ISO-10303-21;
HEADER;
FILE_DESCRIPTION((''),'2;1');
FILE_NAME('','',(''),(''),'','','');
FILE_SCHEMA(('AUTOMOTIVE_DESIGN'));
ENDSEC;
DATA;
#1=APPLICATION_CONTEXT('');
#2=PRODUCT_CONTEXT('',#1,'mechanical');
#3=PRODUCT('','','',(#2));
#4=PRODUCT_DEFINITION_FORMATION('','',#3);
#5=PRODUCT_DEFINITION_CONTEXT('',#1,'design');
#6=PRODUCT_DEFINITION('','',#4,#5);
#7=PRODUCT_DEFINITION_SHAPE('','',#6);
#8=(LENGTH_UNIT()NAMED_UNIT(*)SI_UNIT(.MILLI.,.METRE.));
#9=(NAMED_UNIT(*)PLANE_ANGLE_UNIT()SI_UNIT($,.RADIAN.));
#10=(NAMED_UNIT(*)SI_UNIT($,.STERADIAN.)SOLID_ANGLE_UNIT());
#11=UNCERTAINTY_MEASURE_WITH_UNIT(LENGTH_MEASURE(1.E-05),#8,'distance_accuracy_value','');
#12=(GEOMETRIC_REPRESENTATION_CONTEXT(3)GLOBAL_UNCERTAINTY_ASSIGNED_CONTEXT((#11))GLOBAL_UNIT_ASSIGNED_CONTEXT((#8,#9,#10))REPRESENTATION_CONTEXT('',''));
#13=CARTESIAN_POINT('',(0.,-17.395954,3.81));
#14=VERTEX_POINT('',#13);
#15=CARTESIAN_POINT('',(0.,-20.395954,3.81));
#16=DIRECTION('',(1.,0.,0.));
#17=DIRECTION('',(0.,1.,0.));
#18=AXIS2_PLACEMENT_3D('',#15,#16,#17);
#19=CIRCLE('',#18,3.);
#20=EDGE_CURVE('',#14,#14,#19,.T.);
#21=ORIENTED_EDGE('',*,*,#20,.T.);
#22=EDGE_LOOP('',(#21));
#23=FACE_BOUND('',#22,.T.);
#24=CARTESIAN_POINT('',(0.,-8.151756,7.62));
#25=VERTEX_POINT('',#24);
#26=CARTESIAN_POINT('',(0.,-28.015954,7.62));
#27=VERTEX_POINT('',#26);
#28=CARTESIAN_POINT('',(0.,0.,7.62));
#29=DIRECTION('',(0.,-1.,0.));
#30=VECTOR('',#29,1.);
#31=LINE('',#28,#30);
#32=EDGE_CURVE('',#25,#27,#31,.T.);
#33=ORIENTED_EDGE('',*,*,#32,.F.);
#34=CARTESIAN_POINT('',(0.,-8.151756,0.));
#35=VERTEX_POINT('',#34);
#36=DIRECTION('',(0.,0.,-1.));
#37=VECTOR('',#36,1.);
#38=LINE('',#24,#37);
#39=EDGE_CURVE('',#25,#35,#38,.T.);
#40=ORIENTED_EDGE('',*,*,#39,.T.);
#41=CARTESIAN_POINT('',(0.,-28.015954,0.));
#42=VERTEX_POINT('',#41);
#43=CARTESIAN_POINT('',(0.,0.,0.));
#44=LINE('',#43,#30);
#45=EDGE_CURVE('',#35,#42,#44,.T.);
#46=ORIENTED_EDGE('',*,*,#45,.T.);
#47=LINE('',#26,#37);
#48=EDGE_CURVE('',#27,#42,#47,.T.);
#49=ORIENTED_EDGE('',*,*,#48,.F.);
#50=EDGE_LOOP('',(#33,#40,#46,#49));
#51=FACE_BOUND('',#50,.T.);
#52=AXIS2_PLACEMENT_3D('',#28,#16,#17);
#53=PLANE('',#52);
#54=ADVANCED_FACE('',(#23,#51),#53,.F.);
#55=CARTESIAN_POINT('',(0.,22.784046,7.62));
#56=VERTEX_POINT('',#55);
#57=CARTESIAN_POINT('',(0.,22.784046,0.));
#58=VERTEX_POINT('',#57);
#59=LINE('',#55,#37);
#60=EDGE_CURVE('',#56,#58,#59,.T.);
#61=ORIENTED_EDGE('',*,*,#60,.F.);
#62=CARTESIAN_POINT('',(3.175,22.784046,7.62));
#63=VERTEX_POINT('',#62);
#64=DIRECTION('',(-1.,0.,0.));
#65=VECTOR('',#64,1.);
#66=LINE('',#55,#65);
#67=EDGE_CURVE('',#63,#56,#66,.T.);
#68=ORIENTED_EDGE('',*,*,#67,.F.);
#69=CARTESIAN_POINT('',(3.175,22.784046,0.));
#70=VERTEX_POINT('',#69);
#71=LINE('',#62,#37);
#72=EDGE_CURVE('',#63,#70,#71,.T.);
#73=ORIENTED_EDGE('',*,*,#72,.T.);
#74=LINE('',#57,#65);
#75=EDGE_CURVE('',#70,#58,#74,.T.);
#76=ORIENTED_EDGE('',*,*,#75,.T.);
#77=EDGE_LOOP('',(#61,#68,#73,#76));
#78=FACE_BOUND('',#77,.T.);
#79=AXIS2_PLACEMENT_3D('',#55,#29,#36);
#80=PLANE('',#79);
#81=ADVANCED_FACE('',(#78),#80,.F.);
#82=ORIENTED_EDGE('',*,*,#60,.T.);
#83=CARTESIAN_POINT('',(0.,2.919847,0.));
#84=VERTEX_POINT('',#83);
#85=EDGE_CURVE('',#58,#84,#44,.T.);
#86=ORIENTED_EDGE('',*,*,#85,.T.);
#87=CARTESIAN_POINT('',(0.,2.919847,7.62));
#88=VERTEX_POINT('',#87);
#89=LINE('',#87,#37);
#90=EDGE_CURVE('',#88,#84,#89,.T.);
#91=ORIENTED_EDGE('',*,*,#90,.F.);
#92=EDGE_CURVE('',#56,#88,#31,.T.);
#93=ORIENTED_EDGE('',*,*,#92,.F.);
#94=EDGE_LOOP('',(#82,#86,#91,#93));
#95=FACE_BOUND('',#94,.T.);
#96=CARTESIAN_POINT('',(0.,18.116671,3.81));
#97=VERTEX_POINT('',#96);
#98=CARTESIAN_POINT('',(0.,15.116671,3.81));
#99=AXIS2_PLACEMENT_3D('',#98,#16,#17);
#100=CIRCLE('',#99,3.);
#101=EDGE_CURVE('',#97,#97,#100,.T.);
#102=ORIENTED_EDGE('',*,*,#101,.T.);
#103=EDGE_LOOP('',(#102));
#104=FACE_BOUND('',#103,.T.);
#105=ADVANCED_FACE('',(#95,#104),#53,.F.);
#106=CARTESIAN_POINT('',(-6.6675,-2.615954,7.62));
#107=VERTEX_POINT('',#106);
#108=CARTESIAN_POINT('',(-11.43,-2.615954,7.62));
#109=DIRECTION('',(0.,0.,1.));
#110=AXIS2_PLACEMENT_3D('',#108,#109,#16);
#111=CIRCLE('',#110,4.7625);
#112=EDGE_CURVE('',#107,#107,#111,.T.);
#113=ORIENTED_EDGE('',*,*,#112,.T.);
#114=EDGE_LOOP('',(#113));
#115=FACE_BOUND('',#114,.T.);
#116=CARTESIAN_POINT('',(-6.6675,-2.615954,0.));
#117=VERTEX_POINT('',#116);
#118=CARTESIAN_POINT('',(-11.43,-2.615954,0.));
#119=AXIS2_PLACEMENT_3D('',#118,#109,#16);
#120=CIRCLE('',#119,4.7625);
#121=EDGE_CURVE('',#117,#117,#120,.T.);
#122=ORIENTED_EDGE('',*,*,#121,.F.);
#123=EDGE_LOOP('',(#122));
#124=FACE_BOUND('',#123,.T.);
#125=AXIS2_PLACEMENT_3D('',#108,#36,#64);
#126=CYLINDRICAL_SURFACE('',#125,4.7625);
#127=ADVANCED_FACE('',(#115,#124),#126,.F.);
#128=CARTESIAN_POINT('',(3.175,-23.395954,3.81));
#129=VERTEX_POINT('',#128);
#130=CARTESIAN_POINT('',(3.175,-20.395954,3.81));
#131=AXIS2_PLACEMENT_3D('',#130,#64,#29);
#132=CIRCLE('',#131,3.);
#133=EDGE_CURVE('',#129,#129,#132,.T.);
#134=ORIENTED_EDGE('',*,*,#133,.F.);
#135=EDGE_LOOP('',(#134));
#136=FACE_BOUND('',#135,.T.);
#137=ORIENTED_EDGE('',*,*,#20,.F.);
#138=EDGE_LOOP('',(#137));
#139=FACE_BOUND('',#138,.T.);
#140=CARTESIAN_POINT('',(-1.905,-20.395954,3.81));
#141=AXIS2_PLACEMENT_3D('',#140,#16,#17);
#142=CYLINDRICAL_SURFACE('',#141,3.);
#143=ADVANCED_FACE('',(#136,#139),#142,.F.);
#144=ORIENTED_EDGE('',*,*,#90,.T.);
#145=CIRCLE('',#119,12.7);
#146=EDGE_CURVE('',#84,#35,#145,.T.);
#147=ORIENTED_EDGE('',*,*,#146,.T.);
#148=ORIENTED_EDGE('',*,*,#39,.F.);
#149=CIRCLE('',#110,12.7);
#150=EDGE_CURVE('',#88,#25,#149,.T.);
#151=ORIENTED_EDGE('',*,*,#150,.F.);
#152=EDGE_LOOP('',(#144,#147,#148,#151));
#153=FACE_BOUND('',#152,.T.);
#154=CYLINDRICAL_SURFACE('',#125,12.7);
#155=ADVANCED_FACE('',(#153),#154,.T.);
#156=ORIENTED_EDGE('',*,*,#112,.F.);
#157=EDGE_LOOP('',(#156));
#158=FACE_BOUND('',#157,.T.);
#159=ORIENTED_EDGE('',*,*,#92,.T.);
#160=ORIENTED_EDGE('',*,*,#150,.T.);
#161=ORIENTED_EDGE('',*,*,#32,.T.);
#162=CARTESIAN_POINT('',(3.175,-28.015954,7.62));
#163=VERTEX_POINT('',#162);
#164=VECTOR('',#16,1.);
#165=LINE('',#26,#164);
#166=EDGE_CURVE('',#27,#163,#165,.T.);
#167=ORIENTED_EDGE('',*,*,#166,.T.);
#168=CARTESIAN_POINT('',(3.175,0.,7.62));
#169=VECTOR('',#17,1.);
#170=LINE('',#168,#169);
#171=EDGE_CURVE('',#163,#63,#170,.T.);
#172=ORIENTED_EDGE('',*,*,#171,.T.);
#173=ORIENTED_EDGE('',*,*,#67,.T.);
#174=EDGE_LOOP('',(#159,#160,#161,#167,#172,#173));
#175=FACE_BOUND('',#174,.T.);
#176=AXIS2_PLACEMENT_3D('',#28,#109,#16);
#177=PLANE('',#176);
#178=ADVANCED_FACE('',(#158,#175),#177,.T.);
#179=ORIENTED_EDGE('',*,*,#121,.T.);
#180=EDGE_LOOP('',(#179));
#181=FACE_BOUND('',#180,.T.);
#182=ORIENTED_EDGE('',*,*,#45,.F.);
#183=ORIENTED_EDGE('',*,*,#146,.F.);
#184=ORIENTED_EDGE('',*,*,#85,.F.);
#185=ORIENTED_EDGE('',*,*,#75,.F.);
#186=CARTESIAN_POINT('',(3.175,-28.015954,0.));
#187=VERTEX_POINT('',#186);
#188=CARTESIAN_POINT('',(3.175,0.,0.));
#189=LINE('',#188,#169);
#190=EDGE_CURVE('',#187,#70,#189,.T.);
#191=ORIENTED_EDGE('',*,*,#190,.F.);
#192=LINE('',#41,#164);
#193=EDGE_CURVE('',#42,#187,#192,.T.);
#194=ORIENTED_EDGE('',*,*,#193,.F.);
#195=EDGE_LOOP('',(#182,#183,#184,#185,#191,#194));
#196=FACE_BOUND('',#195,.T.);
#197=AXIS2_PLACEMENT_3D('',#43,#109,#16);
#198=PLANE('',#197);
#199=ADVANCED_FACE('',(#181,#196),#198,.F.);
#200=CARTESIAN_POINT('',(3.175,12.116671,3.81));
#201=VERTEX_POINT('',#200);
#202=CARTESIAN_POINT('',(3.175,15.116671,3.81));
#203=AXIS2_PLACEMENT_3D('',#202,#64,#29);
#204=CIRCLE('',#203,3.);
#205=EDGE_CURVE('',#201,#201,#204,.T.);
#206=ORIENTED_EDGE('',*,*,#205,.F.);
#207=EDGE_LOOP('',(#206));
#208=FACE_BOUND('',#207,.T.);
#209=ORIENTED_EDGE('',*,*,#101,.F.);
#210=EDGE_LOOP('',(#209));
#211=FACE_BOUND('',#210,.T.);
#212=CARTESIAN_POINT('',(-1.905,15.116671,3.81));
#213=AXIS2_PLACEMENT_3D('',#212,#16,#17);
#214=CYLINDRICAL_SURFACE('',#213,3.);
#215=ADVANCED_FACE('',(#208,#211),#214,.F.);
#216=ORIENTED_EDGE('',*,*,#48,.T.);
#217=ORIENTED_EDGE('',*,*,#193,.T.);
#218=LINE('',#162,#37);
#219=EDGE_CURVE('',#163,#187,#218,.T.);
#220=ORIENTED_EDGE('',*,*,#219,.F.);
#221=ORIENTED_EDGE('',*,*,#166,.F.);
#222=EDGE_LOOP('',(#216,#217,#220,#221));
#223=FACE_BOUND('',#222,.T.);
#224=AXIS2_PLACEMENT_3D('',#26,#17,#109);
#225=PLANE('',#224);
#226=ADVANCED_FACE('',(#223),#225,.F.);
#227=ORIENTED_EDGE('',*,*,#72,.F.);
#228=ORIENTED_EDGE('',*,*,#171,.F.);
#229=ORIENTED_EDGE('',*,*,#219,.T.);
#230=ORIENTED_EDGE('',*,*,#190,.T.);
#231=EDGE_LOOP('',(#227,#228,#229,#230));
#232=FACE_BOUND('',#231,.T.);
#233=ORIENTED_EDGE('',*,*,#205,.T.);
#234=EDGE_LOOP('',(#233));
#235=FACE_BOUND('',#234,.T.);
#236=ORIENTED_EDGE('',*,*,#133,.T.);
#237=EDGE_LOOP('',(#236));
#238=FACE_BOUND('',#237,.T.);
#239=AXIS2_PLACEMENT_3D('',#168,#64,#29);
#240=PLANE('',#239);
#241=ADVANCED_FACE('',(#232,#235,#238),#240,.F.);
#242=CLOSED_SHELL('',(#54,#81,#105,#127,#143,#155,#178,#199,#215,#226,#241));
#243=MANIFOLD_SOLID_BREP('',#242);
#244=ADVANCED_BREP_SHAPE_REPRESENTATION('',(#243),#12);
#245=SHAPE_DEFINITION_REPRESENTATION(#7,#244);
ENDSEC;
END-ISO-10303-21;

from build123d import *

# Parameters (mm, degrees)
SKETCH1_R           = 12.7
SKETCH1_R_2         = 4.7625
SKETCH1_W           = 3.175
SKETCH1_H           = 50.8
BOSS_EXTRUDE1_DEPTH = 7.62
CUT_EXTRUDE1_DEPTH  = 7.62


with BuildPart() as part:
    # Sketch1 → Boss-Extrude1 (new body)
    # profile 1 of 2: a face of its own
    with BuildSketch(Plane.XY):
        with Locations((-11.43, -2.615954226)):
            Circle(SKETCH1_R)
        with Locations((-11.43, -2.615954226)):
            Circle(SKETCH1_R_2, mode=Mode.SUBTRACT)
    # profile 2 of 2: a face of its own
    with BuildSketch(Plane.XY):
        with Locations((1.5875, -2.615954226)):
            Rectangle(SKETCH1_W, SKETCH1_H)
    extrude(amount=BOSS_EXTRUDE1_DEPTH)

    # Sketch3 → Cut-Extrude1 (cut)
    with BuildSketch(Plane(origin=(5.715, 0, 0), x_dir=(0, 0, -1), z_dir=(1, 0, 0))):
        with BuildLine():
            ThreePointArc((-0.81, 15.116671426), (-1.688679656, 17.237991769), (-3.81, 18.116671426))
            Line((-3.81, 18.116671426), (-3.81, 15.116671426))
            Line((-3.81, 15.116671426), (-3.81, 12.116671426))
            ThreePointArc((-3.81, 12.116671426), (-1.688679656, 12.995351082), (-0.81, 15.116671426))
        make_face()
        with BuildLine():
            Line((-3.81, 15.116671426), (-3.81, 18.116671426))
            ThreePointArc((-3.81, 18.116671426), (-6.81, 15.116671426), (-3.81, 12.116671426))
            Line((-3.81, 12.116671426), (-3.81, 15.116671426))
        make_face()
        with BuildLine():
            ThreePointArc((-0.81, -20.395954226), (-1.688679656, -18.274633882), (-3.81, -17.395954226))
            Line((-3.81, -17.395954226), (-3.81, -20.395954226))
            Line((-3.81, -20.395954226), (-3.81, -23.395954226))
            ThreePointArc((-3.81, -23.395954226), (-1.688679656, -22.517274569), (-0.81, -20.395954226))
        make_face()
        with BuildLine():
            Line((-3.81, -20.395954226), (-3.81, -17.395954226))
            ThreePointArc((-3.81, -17.395954226), (-6.81, -20.395954226), (-3.81, -23.395954226))
            Line((-3.81, -23.395954226), (-3.81, -20.395954226))
        make_face()
    extrude(amount=-CUT_EXTRUDE1_DEPTH, mode=Mode.SUBTRACT)


solid = part.part
